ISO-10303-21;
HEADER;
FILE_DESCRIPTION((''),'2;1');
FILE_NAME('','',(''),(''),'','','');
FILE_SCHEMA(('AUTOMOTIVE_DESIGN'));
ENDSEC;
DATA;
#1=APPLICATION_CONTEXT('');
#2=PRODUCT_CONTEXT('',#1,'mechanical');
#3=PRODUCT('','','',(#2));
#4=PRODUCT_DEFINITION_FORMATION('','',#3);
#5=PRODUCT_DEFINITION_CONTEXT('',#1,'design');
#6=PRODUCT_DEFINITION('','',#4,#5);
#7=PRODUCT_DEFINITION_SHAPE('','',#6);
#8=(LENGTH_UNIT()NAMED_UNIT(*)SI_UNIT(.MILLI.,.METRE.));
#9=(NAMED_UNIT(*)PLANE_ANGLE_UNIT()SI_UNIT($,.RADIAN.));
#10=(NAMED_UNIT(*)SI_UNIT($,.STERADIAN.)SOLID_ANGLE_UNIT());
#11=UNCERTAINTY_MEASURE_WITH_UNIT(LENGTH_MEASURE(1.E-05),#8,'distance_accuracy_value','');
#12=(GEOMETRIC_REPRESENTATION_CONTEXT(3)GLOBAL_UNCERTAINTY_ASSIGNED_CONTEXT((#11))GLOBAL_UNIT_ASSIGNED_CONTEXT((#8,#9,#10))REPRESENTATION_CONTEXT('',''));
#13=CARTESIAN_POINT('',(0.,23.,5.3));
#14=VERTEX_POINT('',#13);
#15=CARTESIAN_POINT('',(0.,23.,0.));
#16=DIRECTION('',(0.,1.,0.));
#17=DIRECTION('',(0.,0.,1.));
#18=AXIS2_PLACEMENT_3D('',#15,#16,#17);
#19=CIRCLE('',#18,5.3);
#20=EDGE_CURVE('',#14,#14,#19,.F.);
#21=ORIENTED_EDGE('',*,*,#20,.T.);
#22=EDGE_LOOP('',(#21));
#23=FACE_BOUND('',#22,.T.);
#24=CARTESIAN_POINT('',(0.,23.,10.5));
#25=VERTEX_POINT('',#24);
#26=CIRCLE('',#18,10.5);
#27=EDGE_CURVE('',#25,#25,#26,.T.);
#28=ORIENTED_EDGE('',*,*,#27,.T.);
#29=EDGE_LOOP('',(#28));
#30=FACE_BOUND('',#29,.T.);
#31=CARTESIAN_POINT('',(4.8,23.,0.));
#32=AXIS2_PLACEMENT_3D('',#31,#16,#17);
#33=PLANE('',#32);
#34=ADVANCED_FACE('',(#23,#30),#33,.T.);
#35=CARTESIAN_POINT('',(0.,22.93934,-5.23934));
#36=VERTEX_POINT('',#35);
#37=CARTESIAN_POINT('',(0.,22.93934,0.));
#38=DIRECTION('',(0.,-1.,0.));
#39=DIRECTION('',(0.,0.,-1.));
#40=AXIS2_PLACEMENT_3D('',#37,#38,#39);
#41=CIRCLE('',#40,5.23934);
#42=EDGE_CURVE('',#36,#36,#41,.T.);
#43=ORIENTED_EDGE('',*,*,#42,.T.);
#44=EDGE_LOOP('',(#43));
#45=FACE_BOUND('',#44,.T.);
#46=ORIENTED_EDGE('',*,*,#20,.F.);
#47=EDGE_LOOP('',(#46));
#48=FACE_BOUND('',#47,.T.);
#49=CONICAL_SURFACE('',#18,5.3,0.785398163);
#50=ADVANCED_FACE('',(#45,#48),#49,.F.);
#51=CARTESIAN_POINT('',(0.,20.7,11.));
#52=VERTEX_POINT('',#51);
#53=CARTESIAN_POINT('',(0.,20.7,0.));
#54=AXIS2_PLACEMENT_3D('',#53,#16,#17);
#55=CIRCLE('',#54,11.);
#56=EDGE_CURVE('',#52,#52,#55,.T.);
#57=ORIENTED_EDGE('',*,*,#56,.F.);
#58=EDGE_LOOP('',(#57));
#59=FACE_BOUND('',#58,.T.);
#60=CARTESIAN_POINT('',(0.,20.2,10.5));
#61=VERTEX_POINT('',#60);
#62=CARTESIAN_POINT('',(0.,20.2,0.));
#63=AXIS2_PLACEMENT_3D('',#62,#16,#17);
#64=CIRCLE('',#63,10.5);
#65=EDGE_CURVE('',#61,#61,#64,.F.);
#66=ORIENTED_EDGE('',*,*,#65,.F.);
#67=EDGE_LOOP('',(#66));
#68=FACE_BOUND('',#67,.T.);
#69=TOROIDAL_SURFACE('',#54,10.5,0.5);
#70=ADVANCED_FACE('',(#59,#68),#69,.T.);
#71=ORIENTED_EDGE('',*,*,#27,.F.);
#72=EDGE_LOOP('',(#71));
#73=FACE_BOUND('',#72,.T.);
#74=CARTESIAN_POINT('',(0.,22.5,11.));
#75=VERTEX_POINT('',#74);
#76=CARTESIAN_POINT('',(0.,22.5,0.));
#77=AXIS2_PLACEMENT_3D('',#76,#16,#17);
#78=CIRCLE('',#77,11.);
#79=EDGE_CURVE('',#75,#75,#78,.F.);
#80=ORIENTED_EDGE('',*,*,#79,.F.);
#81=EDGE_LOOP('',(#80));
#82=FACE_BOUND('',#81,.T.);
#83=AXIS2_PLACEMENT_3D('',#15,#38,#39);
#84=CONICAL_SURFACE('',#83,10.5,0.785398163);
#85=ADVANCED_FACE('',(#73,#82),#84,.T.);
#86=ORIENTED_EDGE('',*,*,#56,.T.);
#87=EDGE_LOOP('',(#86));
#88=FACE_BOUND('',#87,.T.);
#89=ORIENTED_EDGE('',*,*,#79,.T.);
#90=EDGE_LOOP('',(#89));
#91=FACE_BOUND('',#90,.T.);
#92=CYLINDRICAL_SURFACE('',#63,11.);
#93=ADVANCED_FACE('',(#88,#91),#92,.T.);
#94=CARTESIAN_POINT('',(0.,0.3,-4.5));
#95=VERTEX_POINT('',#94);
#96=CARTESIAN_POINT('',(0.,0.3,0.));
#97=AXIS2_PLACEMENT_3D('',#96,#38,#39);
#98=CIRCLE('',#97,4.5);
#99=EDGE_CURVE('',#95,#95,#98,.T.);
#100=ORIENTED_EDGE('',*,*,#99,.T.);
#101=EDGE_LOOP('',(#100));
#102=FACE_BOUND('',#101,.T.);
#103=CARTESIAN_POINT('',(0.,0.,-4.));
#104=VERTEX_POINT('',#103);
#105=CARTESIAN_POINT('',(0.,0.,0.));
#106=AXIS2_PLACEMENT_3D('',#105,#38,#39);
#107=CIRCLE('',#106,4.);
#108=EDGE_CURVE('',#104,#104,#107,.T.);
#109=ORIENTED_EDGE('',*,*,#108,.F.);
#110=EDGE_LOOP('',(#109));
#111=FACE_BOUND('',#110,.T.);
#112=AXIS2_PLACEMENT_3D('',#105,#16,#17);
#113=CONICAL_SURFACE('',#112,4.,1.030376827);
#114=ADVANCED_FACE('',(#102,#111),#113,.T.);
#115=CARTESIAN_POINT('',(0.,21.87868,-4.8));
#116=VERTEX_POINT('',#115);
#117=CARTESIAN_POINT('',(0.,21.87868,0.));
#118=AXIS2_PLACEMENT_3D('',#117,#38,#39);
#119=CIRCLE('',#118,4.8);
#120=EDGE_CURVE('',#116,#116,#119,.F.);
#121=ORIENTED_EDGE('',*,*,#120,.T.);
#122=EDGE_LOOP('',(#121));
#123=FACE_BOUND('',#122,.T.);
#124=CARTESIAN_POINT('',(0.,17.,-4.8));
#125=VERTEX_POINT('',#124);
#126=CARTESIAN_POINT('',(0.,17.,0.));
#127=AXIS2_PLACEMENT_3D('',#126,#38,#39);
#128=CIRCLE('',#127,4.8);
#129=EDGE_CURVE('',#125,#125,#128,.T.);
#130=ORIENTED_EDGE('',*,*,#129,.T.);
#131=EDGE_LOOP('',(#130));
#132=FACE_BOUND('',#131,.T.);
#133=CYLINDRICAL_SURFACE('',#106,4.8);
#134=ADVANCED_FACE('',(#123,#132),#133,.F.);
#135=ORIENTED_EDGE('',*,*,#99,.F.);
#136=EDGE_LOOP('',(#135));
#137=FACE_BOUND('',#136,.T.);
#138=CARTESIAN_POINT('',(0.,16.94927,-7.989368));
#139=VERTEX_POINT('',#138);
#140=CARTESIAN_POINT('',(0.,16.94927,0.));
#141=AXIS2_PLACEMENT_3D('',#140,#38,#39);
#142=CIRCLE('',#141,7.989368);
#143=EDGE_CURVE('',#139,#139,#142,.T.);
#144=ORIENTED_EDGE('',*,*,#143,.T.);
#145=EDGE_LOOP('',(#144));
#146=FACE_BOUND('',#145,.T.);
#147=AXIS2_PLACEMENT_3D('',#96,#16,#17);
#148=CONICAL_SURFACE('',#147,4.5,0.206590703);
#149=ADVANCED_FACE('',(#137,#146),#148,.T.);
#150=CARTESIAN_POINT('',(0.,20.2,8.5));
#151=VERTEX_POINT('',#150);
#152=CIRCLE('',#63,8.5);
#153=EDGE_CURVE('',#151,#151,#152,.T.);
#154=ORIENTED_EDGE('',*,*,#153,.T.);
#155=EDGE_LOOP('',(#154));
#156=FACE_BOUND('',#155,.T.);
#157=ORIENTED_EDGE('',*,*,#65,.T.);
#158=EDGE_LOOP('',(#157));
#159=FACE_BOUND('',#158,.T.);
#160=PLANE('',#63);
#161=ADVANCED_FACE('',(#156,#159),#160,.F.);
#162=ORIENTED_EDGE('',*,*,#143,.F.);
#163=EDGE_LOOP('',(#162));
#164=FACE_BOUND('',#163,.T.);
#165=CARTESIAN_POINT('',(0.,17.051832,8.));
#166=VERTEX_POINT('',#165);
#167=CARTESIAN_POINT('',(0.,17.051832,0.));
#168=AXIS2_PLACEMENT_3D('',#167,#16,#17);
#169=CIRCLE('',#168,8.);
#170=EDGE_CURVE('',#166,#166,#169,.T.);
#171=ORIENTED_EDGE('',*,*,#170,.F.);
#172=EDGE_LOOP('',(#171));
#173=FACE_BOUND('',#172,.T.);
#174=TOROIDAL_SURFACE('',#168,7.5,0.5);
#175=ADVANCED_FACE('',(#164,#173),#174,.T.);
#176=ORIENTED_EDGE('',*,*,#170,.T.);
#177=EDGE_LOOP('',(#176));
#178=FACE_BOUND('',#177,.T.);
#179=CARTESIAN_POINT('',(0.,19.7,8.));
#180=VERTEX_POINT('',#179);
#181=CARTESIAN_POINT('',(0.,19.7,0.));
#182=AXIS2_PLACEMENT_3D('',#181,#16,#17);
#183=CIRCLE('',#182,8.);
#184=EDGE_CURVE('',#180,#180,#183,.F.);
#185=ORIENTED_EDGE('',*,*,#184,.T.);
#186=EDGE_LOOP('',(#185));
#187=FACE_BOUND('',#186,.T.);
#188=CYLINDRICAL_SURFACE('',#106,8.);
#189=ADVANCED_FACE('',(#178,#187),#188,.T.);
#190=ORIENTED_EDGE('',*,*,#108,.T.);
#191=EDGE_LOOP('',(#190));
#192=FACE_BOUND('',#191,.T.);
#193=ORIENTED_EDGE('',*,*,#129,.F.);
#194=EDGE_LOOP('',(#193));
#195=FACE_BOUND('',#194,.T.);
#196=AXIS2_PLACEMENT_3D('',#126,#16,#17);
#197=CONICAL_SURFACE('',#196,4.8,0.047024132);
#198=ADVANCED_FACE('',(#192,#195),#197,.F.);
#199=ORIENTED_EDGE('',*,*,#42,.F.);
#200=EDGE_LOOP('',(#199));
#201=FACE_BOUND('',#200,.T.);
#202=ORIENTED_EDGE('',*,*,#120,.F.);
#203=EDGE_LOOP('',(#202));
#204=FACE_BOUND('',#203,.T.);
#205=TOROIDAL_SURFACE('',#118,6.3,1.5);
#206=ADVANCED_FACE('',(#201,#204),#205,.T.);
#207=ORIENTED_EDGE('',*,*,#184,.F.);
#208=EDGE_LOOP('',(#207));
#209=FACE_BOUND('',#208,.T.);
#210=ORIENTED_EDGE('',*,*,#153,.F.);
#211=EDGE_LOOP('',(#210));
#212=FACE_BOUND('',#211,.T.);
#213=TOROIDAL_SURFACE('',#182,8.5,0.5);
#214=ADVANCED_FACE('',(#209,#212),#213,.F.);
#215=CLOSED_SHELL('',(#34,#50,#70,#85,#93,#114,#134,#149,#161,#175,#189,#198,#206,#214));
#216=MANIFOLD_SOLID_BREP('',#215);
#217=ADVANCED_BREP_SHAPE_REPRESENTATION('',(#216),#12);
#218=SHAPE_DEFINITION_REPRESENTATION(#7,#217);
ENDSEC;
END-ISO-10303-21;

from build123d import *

# Parameters (mm, degrees)
FL_CHE_VERSCHIEBEN2_BY          = 1
AUFSATZ_LINEAR_START            = -2.8
SKIZZE2_R                       = 11
SKIZZE2_R_2                     = 4.8
AUFSATZ_LINEAR_AUSTRAGEN1_DEPTH = 2.8
VERRUNDUNG1_R                   = 0.5
FASE1_SIZE                      = 0.5
VERRUNDUNG2_R                   = 1.5


with BuildPart() as part:
    # Skizze1 → Rotation1 (revolve)
    with BuildSketch(Plane.XY, mode=Mode.PRIVATE) as rotation1_sk:
        Polygon((4, 0), (4.8, 17), (4.8, 22), (8, 22), (8, 17), (4.5, 0.3), align=None)
    revolve(rotation1_sk.sketch.rotate(Axis((0, 0, 0), (0, 1, 0)), 90), axis=Axis((0, 0, 0), (0, 1, 0)))

    # Fläche verschieben2: a face moved outward by 1.0
    extrude(part.faces().sort_by_distance((6.4, 22, 0))[0], amount=FL_CHE_VERSCHIEBEN2_BY, dir=(0, 1, 0))

    # Skizze2 → Aufsatz-Linear austragen1 (add)
    with BuildSketch(Plane(origin=(0, 23, 0), x_dir=(1, 0, 0), z_dir=(0, 1, 0)).offset(AUFSATZ_LINEAR_START)):
        with Locations(Location((0, 0, 0), (0, 0, 270))):
            Circle(SKIZZE2_R)
        with Locations(Location((0, 0, 0), (0, 0, 90))):
            Circle(SKIZZE2_R_2, mode=Mode.SUBTRACT)
    extrude(amount=AUFSATZ_LINEAR_AUSTRAGEN1_DEPTH)

    # Verrundung1
    verrundung1_edges = [part.edges().sort_by_distance(p)[0] for p in [
        (0, 20.2, 8),
        (0, 20.2, -11),
        (0, 17, 8),
    ]]
    fillet(verrundung1_edges, radius=VERRUNDUNG1_R)

    # Fase1
    fase1_edges = [part.edges().sort_by_distance(p)[0] for p in [
        (0, 23, -11),
        (0, 23, 4.8),
    ]]
    chamfer(fase1_edges, length=FASE1_SIZE)

    # Verrundung2
    verrundung2_edges = [part.edges().sort_by_distance(p)[0] for p in [
        (0, 22.5, 4.8),
    ]]
    fillet(verrundung2_edges, radius=VERRUNDUNG2_R)


solid = part.part
